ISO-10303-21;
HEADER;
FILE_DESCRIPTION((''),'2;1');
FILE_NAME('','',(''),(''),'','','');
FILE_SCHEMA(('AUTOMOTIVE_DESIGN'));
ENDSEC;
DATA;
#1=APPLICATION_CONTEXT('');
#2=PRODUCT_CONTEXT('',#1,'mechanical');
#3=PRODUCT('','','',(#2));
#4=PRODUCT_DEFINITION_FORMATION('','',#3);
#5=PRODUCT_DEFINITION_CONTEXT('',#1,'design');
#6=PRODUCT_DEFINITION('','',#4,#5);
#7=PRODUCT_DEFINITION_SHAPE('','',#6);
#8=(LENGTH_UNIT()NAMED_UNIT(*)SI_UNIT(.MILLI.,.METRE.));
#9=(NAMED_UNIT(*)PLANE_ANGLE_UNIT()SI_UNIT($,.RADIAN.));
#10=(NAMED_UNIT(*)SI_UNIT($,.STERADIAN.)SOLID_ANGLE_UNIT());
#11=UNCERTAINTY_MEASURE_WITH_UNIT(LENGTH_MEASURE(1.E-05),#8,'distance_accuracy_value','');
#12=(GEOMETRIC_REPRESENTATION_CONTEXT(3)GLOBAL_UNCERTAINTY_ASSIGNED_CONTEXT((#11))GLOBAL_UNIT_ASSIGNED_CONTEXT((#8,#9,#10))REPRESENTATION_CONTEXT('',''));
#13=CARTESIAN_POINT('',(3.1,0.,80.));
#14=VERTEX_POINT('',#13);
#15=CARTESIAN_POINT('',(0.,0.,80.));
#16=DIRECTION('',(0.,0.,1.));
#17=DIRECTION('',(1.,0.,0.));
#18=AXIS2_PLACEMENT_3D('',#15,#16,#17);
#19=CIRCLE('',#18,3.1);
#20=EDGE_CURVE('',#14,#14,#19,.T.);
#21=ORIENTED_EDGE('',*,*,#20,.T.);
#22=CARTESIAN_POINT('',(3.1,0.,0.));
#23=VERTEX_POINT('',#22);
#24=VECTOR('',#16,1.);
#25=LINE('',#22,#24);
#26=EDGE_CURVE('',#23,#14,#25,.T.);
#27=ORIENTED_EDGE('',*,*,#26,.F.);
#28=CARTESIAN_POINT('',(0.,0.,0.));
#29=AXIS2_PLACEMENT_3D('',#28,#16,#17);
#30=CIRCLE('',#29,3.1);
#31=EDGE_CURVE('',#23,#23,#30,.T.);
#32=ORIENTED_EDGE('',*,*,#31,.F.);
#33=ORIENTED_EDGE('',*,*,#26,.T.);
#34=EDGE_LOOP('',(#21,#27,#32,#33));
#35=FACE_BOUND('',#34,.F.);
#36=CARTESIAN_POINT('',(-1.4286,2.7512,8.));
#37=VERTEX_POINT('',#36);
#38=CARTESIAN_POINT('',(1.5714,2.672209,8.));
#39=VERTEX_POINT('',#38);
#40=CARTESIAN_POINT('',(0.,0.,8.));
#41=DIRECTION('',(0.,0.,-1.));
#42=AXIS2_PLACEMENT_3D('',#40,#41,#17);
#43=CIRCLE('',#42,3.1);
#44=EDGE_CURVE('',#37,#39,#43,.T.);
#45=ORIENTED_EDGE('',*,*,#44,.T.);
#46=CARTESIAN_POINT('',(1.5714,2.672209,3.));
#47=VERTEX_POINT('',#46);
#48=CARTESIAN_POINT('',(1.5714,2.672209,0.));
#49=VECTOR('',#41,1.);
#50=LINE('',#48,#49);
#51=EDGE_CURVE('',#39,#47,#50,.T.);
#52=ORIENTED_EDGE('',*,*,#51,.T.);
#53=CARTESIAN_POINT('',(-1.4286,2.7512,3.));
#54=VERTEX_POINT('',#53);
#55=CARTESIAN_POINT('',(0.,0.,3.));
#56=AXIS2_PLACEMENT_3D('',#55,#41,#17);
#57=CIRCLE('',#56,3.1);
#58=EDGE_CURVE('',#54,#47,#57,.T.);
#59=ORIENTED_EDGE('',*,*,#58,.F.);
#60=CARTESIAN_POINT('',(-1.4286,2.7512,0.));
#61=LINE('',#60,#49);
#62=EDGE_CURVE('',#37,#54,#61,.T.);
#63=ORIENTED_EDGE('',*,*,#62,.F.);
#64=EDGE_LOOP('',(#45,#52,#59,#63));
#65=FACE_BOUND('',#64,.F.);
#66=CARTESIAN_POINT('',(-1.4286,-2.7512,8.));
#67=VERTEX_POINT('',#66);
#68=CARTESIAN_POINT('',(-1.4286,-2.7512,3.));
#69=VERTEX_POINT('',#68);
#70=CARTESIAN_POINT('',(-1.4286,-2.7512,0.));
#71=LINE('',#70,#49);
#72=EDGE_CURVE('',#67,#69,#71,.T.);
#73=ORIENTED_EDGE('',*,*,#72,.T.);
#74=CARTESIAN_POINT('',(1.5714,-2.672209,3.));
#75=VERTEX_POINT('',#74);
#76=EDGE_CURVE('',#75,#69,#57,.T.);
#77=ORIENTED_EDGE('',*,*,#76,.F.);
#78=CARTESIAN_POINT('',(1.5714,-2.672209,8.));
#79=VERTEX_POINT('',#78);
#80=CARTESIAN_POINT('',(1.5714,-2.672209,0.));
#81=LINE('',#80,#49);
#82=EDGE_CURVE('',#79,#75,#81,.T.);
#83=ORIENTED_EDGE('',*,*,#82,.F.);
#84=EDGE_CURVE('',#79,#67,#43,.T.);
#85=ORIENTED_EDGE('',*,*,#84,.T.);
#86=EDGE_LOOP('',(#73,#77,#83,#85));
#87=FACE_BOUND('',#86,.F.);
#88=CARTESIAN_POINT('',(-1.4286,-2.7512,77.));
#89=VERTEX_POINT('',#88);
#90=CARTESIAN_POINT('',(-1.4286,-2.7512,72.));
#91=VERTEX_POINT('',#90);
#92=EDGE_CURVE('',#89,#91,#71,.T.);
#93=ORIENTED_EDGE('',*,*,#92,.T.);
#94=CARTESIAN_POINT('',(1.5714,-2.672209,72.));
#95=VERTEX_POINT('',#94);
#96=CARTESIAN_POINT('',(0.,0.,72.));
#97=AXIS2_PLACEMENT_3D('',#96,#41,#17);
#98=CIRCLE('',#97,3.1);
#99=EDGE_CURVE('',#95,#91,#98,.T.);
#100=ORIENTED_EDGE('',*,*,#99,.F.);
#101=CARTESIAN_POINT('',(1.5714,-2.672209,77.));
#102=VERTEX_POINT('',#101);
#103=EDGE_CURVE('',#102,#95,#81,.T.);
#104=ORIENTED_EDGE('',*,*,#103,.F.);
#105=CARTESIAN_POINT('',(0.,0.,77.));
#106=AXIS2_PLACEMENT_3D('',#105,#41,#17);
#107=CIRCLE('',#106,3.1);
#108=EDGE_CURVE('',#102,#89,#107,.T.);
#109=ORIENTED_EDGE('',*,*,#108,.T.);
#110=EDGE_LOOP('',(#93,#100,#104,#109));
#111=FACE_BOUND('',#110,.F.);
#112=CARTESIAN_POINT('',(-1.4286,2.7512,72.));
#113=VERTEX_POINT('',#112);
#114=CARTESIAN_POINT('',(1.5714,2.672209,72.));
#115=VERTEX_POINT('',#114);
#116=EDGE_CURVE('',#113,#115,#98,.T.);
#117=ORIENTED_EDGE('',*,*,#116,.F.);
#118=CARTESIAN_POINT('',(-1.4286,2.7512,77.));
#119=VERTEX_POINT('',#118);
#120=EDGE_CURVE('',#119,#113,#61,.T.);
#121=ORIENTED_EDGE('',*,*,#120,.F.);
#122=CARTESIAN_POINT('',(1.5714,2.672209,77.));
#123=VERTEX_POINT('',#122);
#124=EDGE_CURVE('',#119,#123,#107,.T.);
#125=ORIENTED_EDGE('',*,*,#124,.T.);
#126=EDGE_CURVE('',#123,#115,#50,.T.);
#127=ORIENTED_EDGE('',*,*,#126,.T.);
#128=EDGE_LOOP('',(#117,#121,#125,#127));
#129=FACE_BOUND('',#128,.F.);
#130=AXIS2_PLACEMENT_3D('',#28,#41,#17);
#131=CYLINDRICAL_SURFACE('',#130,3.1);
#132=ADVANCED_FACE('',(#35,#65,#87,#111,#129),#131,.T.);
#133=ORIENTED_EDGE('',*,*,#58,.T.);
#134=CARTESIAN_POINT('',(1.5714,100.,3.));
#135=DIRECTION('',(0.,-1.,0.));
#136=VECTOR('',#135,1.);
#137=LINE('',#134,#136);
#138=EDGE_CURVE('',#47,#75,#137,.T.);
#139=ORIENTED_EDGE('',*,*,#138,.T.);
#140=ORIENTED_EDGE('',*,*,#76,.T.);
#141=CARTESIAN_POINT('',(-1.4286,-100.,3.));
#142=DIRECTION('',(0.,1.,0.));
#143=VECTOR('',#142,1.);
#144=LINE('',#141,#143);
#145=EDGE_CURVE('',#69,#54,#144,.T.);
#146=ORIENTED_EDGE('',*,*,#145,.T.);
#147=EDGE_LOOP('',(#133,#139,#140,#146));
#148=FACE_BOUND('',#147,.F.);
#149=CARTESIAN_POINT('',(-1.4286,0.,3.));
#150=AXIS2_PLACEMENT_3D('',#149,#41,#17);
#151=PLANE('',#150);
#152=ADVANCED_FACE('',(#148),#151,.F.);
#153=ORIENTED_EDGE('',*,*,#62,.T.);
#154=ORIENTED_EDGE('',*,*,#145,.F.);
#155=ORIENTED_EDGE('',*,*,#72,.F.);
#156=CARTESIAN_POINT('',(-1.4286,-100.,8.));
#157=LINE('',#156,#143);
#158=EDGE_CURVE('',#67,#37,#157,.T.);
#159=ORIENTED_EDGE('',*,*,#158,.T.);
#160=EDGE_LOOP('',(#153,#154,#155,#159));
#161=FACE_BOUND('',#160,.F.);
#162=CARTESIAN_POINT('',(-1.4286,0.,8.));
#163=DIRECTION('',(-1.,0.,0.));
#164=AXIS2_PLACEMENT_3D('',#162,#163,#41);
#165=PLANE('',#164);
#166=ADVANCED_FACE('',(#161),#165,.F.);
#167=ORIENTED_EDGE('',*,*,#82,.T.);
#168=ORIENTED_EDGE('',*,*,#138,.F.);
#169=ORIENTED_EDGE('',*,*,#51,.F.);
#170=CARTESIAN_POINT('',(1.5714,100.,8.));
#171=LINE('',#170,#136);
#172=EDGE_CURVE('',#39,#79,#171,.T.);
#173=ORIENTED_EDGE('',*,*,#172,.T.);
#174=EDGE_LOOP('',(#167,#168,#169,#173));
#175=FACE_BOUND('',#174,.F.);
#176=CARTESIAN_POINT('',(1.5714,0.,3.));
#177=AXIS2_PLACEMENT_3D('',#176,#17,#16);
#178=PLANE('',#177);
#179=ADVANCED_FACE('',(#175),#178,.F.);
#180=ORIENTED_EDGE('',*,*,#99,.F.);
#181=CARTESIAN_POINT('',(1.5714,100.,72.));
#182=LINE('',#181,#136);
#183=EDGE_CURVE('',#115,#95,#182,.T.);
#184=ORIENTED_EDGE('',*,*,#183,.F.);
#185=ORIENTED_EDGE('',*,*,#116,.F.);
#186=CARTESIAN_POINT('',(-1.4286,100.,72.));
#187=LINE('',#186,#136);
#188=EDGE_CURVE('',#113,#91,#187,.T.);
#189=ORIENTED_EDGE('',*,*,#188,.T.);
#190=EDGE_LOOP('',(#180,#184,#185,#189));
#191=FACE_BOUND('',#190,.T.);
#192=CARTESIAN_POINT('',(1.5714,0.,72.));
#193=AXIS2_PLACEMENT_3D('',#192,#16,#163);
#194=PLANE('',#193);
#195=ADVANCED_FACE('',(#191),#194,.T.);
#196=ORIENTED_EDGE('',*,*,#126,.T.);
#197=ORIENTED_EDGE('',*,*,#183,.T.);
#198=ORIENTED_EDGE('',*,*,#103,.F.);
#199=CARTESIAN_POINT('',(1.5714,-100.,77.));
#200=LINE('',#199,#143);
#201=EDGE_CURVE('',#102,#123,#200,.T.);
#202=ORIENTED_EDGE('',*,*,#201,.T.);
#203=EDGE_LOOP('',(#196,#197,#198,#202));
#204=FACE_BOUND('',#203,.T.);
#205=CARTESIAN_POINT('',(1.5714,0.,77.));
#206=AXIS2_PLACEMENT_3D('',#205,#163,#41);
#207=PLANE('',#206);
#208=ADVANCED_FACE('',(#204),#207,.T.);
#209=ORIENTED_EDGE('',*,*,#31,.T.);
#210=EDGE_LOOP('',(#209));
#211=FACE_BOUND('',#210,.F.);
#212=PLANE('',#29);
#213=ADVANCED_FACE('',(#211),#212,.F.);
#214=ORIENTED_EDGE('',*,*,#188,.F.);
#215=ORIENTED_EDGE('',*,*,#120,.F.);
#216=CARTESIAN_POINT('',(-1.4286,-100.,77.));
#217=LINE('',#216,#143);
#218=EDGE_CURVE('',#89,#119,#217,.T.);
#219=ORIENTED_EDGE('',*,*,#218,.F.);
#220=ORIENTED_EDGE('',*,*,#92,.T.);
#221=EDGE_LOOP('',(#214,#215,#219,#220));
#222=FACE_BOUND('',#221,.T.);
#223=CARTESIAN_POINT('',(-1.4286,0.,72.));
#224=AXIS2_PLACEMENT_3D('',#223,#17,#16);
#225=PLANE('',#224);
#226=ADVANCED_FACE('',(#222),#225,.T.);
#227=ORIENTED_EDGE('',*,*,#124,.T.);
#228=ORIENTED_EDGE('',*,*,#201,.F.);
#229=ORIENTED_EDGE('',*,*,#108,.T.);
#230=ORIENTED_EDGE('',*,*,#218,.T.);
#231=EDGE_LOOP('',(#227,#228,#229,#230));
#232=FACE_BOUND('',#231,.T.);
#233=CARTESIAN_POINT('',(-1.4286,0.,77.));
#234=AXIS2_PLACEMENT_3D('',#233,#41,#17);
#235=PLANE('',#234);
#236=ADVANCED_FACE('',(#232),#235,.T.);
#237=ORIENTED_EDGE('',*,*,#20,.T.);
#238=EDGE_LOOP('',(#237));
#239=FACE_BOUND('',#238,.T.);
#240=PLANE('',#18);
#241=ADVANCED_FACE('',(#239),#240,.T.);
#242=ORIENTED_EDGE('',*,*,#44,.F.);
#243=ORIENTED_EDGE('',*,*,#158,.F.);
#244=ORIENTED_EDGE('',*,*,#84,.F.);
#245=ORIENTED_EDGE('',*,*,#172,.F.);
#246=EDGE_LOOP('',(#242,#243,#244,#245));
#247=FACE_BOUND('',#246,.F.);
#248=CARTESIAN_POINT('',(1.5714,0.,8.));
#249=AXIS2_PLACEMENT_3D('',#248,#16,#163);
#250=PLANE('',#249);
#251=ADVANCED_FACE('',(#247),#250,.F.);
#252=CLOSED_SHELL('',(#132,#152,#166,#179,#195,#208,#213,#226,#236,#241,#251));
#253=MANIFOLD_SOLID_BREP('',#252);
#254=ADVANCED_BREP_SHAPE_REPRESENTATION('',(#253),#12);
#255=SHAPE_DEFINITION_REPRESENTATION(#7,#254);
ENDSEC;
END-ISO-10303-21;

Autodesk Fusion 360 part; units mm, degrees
sketch "Sketch1" plane through (0, 0, 0) normal (0, 0, 1) x (1, 0, 0)
  circle A0 centre (0, 0) radius 3.1
  dimension "d3" = 6.2
extrude "Extrude1" add sketch "Sketch1" along normal blind 80
sketch "Sketch3" plane through (0, 0, 0) normal (0, 1, 0) x (1, 0, 0)
  line L0 (-1.4286, -3) -> (1.5714, -3)
  line L1 (1.5714, -3) -> (1.5714, -8)
  line L2 (1.5714, -8) -> (-1.4286, -8)
  line L3 (-1.4286, -8) -> (-1.4286, -3)
  line L4 (-1.4286, -77) -> (1.5714, -77)
  line L5 (1.5714, -77) -> (1.5714, -72)
  line L6 (1.5714, -72) -> (-1.4286, -72)
  line L7 (-1.4286, -72) -> (-1.4286, -77)
  line L8 (-3.1, -80) -> (3.1, -80)
  dimension "d9" = 3
  dimension "d10" = 5
  dimension "d11" = 3
  dimension "d12" = 5
  dimension "d18" = 3
  dimension "d19" = 3
extrude "Extrude2" cut sketch "Sketch3" along normal mid plane 200 contours L4 L5 L6 L7
extrude "Extrude3" cut sketch "Sketch3" along normal mid plane 200 contours L0 L1 L2 L3
equation "dowel_pin_radius = 3.10 mm"
equation "length = 80 mm"
equation "d3 = dowel_pin_radius * 2"
equation "d4 = length"
equation "hole_distance = 3 mm"
equation "hole_width = 3 mm"
equation "hole_height = 5 mm"
equation "d9 = hole_width"
equation "d10 = hole_height"
equation "d11 = hole_width"
equation "d12 = hole_height"
equation "extra = 100 mm"
equation "d14 = extra"
equation "d16 = extra"
equation "d18 = hole_distance"
equation "d19 = hole_distance"
